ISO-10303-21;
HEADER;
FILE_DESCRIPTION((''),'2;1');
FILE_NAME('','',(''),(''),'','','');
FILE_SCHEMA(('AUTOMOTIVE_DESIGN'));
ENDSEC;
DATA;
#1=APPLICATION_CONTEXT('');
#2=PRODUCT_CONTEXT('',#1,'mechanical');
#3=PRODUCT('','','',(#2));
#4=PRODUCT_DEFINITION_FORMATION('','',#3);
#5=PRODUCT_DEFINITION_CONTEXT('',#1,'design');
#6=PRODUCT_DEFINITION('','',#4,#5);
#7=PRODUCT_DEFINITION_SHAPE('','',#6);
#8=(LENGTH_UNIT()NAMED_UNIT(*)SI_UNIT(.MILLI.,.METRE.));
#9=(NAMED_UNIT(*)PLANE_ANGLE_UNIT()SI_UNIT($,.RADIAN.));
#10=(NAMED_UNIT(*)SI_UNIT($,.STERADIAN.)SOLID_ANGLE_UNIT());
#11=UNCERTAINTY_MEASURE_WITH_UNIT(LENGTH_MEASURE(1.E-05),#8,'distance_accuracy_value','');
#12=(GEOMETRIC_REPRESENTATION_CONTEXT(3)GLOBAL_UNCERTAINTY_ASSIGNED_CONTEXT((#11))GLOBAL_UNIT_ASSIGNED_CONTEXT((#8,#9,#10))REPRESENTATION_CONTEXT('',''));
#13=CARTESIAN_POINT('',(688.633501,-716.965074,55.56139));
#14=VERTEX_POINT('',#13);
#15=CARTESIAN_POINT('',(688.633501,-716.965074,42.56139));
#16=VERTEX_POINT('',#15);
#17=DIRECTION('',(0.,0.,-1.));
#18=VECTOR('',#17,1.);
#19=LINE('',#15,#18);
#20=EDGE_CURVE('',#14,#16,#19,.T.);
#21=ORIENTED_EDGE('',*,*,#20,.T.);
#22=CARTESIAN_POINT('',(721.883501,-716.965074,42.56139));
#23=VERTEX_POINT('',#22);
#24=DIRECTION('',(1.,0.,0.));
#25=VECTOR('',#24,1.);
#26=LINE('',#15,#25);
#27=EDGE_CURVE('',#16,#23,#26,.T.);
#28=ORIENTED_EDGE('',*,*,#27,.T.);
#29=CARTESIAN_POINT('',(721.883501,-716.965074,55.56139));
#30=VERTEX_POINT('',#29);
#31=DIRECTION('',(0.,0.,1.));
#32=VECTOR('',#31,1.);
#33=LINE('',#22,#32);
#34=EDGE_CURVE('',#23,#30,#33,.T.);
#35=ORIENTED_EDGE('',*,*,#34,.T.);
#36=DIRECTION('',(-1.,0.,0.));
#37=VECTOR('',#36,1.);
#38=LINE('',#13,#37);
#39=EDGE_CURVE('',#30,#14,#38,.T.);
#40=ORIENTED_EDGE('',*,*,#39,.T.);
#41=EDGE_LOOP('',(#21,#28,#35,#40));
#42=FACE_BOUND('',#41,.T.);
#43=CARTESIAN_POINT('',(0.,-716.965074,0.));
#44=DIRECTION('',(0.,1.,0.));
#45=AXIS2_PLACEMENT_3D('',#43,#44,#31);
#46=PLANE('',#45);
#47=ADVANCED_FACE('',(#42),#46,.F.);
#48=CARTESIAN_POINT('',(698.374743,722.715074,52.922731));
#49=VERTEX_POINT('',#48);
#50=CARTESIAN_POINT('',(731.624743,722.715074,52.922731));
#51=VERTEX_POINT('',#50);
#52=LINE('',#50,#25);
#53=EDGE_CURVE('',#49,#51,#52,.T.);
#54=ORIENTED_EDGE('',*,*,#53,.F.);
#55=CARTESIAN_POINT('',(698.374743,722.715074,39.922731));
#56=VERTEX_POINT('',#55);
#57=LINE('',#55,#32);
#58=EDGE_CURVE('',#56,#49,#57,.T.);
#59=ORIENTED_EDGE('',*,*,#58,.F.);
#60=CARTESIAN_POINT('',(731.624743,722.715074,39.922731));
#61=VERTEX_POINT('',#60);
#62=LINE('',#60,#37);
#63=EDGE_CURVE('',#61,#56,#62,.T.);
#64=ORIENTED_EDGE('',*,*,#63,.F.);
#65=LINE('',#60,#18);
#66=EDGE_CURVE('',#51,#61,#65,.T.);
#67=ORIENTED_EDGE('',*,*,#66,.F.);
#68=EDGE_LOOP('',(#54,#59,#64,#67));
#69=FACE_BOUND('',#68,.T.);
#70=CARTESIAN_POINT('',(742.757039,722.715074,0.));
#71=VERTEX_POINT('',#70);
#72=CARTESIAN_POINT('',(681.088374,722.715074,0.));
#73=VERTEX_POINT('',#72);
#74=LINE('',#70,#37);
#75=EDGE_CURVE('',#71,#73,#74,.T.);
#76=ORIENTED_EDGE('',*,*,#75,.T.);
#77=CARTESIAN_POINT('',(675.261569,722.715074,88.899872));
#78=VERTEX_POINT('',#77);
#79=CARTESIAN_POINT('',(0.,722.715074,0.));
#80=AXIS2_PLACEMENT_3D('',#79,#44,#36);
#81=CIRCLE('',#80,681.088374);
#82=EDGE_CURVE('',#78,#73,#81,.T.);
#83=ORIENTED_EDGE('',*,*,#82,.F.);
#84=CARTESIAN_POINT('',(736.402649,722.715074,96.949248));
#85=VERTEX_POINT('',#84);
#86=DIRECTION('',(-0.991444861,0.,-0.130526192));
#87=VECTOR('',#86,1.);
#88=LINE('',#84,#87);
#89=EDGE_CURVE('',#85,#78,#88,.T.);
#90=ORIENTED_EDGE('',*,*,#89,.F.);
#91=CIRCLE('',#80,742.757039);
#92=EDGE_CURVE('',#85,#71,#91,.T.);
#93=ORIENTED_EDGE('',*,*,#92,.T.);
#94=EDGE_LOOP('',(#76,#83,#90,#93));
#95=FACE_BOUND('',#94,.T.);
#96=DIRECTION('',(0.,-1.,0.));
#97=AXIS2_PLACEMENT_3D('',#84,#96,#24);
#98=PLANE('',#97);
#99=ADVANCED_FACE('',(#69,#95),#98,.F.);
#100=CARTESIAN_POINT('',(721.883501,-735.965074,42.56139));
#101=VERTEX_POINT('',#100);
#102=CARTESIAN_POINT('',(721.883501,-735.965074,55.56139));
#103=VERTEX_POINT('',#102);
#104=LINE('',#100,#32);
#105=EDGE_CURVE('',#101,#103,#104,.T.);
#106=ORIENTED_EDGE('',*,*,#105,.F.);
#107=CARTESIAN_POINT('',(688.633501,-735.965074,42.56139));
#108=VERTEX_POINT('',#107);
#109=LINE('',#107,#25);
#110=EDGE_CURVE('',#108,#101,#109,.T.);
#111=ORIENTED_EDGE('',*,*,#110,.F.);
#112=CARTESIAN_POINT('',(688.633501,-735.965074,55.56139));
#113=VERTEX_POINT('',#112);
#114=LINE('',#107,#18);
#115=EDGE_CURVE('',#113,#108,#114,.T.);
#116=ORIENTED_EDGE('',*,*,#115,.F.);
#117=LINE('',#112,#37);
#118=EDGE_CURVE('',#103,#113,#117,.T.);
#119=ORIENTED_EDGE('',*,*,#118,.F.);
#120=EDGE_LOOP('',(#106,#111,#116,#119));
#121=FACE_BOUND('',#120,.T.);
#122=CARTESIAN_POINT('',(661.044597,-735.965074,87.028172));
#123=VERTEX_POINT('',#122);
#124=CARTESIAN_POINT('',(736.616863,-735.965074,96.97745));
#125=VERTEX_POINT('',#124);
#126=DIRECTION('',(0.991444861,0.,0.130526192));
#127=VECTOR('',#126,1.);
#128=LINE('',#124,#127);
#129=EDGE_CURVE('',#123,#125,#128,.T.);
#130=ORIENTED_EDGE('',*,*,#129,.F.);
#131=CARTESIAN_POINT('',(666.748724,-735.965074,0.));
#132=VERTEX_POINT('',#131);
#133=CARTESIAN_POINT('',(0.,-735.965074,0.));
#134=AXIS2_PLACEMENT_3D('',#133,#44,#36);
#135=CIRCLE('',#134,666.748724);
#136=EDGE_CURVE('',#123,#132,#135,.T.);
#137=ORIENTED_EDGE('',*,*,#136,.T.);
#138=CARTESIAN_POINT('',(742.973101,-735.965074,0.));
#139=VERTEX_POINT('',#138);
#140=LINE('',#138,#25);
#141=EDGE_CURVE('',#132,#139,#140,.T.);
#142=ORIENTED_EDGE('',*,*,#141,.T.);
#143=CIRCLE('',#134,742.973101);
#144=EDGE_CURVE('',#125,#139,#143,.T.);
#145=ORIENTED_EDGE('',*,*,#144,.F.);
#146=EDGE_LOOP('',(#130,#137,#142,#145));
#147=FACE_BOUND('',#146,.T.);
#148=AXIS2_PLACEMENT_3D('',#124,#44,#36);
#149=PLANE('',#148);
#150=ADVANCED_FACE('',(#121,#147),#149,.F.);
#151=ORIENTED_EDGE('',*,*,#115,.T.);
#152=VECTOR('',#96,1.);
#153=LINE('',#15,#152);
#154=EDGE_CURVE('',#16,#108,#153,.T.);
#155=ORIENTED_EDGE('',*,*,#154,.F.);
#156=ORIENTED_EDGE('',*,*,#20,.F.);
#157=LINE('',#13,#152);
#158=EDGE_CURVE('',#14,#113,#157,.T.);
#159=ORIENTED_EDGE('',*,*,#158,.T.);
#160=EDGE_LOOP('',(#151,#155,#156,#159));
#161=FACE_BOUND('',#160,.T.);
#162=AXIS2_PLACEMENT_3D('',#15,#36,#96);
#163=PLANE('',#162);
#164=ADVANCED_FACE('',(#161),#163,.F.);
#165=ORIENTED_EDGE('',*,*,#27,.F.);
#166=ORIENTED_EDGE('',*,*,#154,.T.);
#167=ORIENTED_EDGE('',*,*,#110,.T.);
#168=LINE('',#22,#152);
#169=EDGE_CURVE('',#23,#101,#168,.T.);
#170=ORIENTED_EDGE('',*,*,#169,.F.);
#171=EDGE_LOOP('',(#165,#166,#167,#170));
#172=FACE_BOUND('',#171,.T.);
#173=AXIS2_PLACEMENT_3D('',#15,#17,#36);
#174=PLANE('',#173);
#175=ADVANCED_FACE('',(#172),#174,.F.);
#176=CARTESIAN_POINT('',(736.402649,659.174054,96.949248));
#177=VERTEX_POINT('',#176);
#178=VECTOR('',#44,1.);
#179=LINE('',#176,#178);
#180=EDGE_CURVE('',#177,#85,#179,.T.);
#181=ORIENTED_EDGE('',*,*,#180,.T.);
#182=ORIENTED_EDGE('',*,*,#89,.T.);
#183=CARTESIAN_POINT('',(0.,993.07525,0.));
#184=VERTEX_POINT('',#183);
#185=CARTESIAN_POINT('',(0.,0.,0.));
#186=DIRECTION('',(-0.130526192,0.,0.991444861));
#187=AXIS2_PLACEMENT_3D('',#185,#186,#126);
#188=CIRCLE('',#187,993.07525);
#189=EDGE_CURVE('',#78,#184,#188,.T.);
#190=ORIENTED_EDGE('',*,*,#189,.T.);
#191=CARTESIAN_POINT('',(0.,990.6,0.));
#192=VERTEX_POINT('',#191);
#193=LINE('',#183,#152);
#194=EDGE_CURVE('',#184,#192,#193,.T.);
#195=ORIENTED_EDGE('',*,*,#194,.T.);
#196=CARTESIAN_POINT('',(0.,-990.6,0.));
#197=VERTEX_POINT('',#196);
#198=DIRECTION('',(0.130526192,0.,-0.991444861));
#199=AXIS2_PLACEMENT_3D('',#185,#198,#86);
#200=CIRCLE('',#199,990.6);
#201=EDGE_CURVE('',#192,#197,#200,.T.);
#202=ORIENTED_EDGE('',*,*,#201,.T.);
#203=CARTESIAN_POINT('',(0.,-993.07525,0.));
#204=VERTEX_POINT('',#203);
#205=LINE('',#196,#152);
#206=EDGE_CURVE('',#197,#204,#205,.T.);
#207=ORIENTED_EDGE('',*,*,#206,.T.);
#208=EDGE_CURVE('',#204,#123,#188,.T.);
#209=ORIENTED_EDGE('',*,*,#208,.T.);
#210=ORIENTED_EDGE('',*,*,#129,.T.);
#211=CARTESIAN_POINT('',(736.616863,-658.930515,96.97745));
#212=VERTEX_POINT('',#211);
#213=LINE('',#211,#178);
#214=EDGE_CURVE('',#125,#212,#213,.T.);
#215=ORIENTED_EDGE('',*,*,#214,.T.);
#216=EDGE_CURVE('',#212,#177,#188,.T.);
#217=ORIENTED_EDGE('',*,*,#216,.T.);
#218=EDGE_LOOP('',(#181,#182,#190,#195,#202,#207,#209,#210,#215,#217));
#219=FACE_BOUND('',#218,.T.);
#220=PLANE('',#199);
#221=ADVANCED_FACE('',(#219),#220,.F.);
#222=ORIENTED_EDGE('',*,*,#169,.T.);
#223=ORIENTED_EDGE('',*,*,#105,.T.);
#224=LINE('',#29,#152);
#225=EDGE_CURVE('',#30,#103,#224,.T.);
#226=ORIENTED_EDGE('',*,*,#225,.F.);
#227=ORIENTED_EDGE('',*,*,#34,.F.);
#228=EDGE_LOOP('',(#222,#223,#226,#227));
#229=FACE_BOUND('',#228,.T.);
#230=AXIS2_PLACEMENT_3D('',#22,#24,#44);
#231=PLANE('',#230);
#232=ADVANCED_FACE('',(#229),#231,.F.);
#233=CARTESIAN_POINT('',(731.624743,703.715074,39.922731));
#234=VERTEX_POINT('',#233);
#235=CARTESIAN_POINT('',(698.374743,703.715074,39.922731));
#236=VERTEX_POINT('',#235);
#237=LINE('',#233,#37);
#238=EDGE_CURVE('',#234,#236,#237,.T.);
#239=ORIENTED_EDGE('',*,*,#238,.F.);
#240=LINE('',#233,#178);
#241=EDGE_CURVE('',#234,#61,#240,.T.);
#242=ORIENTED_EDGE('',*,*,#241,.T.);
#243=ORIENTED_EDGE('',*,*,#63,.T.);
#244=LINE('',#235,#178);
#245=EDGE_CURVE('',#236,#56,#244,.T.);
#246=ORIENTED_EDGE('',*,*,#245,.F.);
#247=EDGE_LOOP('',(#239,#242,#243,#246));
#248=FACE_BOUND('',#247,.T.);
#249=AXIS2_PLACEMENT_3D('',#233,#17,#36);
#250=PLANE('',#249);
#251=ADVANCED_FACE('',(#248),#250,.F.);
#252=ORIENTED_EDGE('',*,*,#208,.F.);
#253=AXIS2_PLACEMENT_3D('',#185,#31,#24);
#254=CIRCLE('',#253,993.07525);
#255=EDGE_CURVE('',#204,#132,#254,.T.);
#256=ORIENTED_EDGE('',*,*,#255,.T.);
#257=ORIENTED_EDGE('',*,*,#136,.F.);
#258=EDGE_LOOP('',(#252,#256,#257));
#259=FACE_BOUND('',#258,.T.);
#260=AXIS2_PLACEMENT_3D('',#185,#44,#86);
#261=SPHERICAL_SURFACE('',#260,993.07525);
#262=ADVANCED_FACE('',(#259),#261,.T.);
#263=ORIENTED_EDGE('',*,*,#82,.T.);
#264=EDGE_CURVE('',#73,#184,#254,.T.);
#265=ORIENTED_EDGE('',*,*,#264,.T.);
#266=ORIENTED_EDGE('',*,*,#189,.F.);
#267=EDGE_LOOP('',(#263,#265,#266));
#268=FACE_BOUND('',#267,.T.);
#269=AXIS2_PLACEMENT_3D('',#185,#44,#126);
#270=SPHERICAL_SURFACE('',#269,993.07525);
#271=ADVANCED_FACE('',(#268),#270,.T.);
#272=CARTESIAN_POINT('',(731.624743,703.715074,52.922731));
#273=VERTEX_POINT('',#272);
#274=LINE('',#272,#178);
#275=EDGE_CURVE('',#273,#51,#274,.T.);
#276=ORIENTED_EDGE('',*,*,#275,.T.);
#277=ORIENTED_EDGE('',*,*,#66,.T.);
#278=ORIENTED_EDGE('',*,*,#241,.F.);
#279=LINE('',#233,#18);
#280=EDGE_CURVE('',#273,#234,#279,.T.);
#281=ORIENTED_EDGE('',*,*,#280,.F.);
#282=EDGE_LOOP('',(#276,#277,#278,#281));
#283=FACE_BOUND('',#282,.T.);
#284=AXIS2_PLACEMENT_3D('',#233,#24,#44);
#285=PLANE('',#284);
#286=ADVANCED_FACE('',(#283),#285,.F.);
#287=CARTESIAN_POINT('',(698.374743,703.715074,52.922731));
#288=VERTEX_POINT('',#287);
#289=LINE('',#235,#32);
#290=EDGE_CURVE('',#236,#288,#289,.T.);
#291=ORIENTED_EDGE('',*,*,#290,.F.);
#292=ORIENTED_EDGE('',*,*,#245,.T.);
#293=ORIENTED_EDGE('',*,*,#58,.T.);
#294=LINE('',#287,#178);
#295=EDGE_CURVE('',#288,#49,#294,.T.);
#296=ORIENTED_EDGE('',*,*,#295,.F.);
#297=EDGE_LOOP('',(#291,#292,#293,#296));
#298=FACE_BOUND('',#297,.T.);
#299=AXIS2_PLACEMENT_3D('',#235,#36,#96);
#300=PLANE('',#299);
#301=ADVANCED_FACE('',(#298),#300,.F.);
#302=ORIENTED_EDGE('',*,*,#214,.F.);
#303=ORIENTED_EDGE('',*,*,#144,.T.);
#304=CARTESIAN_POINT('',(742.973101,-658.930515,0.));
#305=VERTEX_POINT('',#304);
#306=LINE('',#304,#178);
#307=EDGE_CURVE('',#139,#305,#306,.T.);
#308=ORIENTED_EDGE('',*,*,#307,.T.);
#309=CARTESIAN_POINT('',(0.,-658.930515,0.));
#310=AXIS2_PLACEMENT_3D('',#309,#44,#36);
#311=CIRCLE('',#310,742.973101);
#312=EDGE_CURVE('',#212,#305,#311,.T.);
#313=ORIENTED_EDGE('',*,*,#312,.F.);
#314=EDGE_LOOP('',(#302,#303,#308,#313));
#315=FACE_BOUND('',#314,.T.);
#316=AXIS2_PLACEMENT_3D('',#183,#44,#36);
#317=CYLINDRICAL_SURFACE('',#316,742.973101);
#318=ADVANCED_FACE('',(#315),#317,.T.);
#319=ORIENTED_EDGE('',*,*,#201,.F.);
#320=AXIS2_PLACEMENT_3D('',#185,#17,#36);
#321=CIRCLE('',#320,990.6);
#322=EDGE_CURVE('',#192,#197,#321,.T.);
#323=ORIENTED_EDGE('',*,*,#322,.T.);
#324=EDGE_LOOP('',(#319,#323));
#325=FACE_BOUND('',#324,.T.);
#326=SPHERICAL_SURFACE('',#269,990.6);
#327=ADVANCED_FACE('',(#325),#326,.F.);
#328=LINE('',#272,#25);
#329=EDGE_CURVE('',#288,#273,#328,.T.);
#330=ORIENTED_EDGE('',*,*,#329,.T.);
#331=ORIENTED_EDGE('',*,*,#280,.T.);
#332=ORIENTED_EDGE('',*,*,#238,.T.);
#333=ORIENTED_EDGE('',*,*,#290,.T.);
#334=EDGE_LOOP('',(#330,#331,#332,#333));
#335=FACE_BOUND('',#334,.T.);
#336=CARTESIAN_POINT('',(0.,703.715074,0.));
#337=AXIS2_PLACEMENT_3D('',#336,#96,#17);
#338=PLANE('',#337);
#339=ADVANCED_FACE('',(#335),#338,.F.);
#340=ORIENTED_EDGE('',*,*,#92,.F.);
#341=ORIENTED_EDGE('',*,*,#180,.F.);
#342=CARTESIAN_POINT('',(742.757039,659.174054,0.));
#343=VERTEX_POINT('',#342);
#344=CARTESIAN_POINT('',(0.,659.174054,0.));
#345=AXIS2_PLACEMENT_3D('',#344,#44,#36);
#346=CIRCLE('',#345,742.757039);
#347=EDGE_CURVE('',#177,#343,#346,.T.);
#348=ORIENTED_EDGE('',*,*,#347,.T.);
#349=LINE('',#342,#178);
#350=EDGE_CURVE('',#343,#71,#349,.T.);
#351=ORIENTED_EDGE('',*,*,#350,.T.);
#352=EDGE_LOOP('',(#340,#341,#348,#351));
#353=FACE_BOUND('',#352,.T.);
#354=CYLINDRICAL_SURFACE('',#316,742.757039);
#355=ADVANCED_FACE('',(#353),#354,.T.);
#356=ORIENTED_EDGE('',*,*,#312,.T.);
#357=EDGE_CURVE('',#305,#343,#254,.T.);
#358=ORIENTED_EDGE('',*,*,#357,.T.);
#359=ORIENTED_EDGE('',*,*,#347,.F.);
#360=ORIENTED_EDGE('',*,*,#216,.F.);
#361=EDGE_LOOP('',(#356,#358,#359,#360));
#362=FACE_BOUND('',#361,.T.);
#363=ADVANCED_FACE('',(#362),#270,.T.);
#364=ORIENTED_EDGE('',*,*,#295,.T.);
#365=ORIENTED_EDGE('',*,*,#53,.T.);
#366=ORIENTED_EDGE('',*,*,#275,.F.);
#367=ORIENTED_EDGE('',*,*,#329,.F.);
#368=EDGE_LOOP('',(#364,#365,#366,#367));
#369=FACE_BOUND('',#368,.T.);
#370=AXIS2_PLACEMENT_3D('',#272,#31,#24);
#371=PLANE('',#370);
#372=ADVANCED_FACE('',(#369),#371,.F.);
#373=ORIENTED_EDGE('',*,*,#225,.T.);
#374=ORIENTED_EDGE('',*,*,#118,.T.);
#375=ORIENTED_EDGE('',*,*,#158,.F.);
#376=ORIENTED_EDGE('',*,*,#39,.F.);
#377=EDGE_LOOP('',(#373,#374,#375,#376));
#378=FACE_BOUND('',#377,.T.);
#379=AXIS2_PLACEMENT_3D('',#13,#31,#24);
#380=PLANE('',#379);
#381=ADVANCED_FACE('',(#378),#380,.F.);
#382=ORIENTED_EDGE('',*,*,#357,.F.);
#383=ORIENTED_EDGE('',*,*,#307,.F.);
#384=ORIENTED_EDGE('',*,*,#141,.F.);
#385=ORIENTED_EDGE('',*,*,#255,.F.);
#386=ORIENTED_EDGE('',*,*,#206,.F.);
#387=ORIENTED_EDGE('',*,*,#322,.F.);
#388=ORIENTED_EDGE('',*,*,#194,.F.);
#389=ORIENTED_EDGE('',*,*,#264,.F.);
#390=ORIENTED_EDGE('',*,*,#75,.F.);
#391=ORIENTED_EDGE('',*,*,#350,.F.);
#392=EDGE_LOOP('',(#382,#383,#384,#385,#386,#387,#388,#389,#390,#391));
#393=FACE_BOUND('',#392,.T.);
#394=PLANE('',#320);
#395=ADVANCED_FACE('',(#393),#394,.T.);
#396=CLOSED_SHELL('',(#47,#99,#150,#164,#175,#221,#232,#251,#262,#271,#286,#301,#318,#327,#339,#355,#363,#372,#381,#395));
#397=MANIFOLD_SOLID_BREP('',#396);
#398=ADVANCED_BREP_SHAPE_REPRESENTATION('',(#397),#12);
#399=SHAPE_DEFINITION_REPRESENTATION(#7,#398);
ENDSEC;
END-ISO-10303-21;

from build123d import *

# Parameters (mm, degrees)
REVOLVE2_ANGLE     = 7.5
SKETCH4_W          = 33.25
SKETCH4_H          = 13
CUT_EXTRUDE5_DEPTH = 19
SKETCH7_W          = 33.25
SKETCH7_H          = 13
CUT_EXTRUDE7_DEPTH = 19


with BuildPart() as part:
    # Sketch2 → Revolve2 (revolve)
    with BuildSketch(Plane.XY):
        with BuildLine():
            Line((0, 993.075249624), (0, 990.6))
            ThreePointArc((0, 990.6), (990.6, 0), (0, -990.6))
            Line((0, -990.6), (0, -993.075249624))
            ThreePointArc((0, -993.075249624), (357.30221933, -926.570869107), (666.748724276, -735.965073963))
            Line((666.748724276, -735.965073963), (742.973100692, -735.965073963))
            Line((742.973100692, -735.965073963), (742.973100692, -658.930514596))
            ThreePointArc((742.973100692, -658.930514596), (993.075236283, 0.162783709), (742.757038562, 659.174053709))
            Line((742.757038562, 659.174053709), (742.757038562, 722.715073963))
            Line((742.757038562, 722.715073963), (681.088374063, 722.715073963))
            ThreePointArc((681.088374063, 722.715073963), (366.393230651, 923.013787519), (0, 993.075249624))
        make_face()
    revolve(axis=Axis((0, 993.075249624, 0), (0, -1, 0)), revolution_arc=REVOLVE2_ANGLE)

    # Sketch4 → Cut-Extrude5 (cut)
    with BuildSketch(Plane.XZ.offset(735.965073963)):
        with Locations((705.258501449, 49.061390401)):
            Rectangle(SKETCH4_W, SKETCH4_H)
    extrude(amount=-CUT_EXTRUDE5_DEPTH, mode=Mode.SUBTRACT)

    # Sketch7 → Cut-Extrude7 (cut)
    with BuildSketch(Plane(origin=(0, 722.715073963, 0), x_dir=(-1, 0, 0), z_dir=(0, 1, 0))):
        with Locations((-714.999743141, 46.422731407)):
            Rectangle(SKETCH7_W, SKETCH7_H)
    extrude(amount=-CUT_EXTRUDE7_DEPTH, mode=Mode.SUBTRACT)


solid = part.part
